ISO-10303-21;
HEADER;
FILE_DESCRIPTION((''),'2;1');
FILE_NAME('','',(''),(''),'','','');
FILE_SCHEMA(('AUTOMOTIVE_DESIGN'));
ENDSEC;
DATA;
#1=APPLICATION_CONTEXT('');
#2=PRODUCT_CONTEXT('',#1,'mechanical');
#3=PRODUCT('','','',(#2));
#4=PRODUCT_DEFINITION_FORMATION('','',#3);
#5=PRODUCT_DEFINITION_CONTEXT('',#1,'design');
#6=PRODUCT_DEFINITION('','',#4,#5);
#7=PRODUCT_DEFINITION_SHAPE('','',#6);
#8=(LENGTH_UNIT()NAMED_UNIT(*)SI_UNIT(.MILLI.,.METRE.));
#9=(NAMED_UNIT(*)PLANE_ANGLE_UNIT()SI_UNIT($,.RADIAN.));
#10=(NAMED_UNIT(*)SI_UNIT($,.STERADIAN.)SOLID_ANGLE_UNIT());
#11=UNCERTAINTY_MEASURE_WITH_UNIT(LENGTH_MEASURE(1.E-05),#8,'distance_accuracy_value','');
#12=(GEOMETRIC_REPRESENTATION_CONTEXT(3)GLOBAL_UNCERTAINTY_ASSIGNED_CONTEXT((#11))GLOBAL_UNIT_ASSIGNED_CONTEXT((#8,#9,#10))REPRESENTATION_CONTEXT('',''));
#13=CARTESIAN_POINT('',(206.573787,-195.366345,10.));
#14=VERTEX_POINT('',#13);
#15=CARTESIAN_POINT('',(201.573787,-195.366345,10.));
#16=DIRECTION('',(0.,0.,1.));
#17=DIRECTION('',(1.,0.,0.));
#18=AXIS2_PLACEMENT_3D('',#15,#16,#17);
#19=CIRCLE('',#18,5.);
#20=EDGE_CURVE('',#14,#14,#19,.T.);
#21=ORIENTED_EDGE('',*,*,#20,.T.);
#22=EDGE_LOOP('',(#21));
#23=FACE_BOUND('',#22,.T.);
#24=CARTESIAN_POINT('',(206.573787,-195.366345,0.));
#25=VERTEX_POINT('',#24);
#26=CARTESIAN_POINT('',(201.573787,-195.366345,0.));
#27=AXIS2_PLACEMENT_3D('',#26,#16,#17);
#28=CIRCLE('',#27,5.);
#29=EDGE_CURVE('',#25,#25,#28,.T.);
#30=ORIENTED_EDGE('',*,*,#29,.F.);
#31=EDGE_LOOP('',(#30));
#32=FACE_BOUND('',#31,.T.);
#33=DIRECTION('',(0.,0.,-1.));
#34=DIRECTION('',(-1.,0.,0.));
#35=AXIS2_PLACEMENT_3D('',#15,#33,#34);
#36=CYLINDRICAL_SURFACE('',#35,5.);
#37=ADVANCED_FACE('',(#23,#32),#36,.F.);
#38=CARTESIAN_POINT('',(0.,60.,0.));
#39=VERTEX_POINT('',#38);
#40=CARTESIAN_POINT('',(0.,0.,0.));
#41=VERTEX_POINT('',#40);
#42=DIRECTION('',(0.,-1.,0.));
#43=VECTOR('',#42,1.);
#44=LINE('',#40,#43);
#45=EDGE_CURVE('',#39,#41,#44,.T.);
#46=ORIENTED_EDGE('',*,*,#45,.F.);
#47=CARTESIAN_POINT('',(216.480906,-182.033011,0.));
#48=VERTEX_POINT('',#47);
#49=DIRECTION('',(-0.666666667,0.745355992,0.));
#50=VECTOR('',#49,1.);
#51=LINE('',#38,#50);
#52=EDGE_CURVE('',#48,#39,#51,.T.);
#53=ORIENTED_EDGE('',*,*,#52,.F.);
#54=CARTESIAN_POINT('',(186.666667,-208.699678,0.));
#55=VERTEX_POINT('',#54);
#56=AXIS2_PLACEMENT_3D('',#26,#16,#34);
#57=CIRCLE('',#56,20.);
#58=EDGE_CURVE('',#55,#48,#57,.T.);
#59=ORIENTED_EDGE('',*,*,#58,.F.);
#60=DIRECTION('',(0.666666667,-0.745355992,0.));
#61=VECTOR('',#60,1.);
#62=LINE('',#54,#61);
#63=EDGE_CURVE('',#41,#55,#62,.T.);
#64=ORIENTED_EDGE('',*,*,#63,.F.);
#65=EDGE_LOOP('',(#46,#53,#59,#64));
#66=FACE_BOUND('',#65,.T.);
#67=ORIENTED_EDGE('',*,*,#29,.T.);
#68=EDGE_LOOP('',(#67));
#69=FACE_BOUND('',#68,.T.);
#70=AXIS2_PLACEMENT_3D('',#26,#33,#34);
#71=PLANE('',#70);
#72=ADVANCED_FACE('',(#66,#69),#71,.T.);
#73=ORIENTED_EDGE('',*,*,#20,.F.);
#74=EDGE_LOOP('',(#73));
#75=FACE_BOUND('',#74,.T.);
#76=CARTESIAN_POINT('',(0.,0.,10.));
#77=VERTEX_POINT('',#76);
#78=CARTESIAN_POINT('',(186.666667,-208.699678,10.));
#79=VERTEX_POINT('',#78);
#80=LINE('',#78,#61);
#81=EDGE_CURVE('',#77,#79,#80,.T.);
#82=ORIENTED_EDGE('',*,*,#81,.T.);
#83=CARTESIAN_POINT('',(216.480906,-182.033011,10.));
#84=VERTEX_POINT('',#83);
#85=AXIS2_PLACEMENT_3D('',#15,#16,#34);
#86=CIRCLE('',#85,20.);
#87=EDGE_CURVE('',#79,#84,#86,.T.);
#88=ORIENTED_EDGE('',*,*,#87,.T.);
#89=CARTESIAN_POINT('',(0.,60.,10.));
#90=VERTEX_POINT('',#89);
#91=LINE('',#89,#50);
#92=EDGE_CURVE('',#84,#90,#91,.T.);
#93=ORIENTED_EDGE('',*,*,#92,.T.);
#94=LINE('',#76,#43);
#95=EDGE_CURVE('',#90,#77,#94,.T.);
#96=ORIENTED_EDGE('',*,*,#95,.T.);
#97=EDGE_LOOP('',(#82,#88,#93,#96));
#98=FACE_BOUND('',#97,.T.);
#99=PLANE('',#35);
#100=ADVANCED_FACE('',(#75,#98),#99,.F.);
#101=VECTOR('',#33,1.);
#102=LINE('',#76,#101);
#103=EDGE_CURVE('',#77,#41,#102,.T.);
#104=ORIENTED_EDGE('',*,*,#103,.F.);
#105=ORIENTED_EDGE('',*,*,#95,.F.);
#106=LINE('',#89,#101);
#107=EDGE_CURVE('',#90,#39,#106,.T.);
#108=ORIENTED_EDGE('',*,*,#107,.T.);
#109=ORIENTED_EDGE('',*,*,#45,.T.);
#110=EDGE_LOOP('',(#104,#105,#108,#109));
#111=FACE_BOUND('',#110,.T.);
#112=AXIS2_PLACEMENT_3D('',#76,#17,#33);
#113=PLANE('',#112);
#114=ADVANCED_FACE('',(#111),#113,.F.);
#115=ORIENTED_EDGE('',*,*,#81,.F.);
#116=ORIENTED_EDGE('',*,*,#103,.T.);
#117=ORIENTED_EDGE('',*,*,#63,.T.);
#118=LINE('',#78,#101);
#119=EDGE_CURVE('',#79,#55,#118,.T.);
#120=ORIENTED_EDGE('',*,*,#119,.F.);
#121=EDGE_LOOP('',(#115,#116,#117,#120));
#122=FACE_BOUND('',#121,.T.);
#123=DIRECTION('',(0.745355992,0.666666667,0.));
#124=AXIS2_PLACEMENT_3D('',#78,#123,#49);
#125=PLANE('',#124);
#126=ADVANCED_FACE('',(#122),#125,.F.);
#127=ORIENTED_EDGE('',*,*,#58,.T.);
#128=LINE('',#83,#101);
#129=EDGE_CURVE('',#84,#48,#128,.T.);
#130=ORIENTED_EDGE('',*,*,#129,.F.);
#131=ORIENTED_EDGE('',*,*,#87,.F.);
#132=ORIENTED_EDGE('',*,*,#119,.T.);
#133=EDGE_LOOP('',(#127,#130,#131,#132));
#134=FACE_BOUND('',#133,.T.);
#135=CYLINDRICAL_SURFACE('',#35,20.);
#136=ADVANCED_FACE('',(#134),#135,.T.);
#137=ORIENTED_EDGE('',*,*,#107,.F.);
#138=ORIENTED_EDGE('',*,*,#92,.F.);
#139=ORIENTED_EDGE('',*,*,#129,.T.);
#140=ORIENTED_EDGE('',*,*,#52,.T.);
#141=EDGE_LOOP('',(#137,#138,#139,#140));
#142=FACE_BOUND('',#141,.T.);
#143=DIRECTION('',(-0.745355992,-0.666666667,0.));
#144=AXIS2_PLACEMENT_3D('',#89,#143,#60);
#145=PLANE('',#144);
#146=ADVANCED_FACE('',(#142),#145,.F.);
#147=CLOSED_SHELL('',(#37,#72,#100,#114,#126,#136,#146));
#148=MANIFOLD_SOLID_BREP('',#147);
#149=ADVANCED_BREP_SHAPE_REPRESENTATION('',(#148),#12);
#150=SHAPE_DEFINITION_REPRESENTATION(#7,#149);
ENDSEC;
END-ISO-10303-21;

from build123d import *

# Parameters (mm, degrees)
SKETCH1_R           = 5
BOSS_EXTRUDE1_DEPTH = 10


with BuildPart() as part:
    # Sketch1 → Boss-Extrude1 (new body)
    with BuildSketch(Plane.XY):
        with BuildLine():
            Line((0, 0), (0, 60))
            Line((0, 60), (216.480906367, -182.033011233))
            ThreePointArc((216.480906367, -182.033011233), (214.90711985, -210.273464417), (186.666666667, -208.6996779))
            Line((186.666666667, -208.6996779), (0, 0))
        make_face()
        with Locations((201.573786517, -195.366344567)):
            Circle(SKETCH1_R, mode=Mode.SUBTRACT)
    extrude(amount=BOSS_EXTRUDE1_DEPTH)


solid = part.part
